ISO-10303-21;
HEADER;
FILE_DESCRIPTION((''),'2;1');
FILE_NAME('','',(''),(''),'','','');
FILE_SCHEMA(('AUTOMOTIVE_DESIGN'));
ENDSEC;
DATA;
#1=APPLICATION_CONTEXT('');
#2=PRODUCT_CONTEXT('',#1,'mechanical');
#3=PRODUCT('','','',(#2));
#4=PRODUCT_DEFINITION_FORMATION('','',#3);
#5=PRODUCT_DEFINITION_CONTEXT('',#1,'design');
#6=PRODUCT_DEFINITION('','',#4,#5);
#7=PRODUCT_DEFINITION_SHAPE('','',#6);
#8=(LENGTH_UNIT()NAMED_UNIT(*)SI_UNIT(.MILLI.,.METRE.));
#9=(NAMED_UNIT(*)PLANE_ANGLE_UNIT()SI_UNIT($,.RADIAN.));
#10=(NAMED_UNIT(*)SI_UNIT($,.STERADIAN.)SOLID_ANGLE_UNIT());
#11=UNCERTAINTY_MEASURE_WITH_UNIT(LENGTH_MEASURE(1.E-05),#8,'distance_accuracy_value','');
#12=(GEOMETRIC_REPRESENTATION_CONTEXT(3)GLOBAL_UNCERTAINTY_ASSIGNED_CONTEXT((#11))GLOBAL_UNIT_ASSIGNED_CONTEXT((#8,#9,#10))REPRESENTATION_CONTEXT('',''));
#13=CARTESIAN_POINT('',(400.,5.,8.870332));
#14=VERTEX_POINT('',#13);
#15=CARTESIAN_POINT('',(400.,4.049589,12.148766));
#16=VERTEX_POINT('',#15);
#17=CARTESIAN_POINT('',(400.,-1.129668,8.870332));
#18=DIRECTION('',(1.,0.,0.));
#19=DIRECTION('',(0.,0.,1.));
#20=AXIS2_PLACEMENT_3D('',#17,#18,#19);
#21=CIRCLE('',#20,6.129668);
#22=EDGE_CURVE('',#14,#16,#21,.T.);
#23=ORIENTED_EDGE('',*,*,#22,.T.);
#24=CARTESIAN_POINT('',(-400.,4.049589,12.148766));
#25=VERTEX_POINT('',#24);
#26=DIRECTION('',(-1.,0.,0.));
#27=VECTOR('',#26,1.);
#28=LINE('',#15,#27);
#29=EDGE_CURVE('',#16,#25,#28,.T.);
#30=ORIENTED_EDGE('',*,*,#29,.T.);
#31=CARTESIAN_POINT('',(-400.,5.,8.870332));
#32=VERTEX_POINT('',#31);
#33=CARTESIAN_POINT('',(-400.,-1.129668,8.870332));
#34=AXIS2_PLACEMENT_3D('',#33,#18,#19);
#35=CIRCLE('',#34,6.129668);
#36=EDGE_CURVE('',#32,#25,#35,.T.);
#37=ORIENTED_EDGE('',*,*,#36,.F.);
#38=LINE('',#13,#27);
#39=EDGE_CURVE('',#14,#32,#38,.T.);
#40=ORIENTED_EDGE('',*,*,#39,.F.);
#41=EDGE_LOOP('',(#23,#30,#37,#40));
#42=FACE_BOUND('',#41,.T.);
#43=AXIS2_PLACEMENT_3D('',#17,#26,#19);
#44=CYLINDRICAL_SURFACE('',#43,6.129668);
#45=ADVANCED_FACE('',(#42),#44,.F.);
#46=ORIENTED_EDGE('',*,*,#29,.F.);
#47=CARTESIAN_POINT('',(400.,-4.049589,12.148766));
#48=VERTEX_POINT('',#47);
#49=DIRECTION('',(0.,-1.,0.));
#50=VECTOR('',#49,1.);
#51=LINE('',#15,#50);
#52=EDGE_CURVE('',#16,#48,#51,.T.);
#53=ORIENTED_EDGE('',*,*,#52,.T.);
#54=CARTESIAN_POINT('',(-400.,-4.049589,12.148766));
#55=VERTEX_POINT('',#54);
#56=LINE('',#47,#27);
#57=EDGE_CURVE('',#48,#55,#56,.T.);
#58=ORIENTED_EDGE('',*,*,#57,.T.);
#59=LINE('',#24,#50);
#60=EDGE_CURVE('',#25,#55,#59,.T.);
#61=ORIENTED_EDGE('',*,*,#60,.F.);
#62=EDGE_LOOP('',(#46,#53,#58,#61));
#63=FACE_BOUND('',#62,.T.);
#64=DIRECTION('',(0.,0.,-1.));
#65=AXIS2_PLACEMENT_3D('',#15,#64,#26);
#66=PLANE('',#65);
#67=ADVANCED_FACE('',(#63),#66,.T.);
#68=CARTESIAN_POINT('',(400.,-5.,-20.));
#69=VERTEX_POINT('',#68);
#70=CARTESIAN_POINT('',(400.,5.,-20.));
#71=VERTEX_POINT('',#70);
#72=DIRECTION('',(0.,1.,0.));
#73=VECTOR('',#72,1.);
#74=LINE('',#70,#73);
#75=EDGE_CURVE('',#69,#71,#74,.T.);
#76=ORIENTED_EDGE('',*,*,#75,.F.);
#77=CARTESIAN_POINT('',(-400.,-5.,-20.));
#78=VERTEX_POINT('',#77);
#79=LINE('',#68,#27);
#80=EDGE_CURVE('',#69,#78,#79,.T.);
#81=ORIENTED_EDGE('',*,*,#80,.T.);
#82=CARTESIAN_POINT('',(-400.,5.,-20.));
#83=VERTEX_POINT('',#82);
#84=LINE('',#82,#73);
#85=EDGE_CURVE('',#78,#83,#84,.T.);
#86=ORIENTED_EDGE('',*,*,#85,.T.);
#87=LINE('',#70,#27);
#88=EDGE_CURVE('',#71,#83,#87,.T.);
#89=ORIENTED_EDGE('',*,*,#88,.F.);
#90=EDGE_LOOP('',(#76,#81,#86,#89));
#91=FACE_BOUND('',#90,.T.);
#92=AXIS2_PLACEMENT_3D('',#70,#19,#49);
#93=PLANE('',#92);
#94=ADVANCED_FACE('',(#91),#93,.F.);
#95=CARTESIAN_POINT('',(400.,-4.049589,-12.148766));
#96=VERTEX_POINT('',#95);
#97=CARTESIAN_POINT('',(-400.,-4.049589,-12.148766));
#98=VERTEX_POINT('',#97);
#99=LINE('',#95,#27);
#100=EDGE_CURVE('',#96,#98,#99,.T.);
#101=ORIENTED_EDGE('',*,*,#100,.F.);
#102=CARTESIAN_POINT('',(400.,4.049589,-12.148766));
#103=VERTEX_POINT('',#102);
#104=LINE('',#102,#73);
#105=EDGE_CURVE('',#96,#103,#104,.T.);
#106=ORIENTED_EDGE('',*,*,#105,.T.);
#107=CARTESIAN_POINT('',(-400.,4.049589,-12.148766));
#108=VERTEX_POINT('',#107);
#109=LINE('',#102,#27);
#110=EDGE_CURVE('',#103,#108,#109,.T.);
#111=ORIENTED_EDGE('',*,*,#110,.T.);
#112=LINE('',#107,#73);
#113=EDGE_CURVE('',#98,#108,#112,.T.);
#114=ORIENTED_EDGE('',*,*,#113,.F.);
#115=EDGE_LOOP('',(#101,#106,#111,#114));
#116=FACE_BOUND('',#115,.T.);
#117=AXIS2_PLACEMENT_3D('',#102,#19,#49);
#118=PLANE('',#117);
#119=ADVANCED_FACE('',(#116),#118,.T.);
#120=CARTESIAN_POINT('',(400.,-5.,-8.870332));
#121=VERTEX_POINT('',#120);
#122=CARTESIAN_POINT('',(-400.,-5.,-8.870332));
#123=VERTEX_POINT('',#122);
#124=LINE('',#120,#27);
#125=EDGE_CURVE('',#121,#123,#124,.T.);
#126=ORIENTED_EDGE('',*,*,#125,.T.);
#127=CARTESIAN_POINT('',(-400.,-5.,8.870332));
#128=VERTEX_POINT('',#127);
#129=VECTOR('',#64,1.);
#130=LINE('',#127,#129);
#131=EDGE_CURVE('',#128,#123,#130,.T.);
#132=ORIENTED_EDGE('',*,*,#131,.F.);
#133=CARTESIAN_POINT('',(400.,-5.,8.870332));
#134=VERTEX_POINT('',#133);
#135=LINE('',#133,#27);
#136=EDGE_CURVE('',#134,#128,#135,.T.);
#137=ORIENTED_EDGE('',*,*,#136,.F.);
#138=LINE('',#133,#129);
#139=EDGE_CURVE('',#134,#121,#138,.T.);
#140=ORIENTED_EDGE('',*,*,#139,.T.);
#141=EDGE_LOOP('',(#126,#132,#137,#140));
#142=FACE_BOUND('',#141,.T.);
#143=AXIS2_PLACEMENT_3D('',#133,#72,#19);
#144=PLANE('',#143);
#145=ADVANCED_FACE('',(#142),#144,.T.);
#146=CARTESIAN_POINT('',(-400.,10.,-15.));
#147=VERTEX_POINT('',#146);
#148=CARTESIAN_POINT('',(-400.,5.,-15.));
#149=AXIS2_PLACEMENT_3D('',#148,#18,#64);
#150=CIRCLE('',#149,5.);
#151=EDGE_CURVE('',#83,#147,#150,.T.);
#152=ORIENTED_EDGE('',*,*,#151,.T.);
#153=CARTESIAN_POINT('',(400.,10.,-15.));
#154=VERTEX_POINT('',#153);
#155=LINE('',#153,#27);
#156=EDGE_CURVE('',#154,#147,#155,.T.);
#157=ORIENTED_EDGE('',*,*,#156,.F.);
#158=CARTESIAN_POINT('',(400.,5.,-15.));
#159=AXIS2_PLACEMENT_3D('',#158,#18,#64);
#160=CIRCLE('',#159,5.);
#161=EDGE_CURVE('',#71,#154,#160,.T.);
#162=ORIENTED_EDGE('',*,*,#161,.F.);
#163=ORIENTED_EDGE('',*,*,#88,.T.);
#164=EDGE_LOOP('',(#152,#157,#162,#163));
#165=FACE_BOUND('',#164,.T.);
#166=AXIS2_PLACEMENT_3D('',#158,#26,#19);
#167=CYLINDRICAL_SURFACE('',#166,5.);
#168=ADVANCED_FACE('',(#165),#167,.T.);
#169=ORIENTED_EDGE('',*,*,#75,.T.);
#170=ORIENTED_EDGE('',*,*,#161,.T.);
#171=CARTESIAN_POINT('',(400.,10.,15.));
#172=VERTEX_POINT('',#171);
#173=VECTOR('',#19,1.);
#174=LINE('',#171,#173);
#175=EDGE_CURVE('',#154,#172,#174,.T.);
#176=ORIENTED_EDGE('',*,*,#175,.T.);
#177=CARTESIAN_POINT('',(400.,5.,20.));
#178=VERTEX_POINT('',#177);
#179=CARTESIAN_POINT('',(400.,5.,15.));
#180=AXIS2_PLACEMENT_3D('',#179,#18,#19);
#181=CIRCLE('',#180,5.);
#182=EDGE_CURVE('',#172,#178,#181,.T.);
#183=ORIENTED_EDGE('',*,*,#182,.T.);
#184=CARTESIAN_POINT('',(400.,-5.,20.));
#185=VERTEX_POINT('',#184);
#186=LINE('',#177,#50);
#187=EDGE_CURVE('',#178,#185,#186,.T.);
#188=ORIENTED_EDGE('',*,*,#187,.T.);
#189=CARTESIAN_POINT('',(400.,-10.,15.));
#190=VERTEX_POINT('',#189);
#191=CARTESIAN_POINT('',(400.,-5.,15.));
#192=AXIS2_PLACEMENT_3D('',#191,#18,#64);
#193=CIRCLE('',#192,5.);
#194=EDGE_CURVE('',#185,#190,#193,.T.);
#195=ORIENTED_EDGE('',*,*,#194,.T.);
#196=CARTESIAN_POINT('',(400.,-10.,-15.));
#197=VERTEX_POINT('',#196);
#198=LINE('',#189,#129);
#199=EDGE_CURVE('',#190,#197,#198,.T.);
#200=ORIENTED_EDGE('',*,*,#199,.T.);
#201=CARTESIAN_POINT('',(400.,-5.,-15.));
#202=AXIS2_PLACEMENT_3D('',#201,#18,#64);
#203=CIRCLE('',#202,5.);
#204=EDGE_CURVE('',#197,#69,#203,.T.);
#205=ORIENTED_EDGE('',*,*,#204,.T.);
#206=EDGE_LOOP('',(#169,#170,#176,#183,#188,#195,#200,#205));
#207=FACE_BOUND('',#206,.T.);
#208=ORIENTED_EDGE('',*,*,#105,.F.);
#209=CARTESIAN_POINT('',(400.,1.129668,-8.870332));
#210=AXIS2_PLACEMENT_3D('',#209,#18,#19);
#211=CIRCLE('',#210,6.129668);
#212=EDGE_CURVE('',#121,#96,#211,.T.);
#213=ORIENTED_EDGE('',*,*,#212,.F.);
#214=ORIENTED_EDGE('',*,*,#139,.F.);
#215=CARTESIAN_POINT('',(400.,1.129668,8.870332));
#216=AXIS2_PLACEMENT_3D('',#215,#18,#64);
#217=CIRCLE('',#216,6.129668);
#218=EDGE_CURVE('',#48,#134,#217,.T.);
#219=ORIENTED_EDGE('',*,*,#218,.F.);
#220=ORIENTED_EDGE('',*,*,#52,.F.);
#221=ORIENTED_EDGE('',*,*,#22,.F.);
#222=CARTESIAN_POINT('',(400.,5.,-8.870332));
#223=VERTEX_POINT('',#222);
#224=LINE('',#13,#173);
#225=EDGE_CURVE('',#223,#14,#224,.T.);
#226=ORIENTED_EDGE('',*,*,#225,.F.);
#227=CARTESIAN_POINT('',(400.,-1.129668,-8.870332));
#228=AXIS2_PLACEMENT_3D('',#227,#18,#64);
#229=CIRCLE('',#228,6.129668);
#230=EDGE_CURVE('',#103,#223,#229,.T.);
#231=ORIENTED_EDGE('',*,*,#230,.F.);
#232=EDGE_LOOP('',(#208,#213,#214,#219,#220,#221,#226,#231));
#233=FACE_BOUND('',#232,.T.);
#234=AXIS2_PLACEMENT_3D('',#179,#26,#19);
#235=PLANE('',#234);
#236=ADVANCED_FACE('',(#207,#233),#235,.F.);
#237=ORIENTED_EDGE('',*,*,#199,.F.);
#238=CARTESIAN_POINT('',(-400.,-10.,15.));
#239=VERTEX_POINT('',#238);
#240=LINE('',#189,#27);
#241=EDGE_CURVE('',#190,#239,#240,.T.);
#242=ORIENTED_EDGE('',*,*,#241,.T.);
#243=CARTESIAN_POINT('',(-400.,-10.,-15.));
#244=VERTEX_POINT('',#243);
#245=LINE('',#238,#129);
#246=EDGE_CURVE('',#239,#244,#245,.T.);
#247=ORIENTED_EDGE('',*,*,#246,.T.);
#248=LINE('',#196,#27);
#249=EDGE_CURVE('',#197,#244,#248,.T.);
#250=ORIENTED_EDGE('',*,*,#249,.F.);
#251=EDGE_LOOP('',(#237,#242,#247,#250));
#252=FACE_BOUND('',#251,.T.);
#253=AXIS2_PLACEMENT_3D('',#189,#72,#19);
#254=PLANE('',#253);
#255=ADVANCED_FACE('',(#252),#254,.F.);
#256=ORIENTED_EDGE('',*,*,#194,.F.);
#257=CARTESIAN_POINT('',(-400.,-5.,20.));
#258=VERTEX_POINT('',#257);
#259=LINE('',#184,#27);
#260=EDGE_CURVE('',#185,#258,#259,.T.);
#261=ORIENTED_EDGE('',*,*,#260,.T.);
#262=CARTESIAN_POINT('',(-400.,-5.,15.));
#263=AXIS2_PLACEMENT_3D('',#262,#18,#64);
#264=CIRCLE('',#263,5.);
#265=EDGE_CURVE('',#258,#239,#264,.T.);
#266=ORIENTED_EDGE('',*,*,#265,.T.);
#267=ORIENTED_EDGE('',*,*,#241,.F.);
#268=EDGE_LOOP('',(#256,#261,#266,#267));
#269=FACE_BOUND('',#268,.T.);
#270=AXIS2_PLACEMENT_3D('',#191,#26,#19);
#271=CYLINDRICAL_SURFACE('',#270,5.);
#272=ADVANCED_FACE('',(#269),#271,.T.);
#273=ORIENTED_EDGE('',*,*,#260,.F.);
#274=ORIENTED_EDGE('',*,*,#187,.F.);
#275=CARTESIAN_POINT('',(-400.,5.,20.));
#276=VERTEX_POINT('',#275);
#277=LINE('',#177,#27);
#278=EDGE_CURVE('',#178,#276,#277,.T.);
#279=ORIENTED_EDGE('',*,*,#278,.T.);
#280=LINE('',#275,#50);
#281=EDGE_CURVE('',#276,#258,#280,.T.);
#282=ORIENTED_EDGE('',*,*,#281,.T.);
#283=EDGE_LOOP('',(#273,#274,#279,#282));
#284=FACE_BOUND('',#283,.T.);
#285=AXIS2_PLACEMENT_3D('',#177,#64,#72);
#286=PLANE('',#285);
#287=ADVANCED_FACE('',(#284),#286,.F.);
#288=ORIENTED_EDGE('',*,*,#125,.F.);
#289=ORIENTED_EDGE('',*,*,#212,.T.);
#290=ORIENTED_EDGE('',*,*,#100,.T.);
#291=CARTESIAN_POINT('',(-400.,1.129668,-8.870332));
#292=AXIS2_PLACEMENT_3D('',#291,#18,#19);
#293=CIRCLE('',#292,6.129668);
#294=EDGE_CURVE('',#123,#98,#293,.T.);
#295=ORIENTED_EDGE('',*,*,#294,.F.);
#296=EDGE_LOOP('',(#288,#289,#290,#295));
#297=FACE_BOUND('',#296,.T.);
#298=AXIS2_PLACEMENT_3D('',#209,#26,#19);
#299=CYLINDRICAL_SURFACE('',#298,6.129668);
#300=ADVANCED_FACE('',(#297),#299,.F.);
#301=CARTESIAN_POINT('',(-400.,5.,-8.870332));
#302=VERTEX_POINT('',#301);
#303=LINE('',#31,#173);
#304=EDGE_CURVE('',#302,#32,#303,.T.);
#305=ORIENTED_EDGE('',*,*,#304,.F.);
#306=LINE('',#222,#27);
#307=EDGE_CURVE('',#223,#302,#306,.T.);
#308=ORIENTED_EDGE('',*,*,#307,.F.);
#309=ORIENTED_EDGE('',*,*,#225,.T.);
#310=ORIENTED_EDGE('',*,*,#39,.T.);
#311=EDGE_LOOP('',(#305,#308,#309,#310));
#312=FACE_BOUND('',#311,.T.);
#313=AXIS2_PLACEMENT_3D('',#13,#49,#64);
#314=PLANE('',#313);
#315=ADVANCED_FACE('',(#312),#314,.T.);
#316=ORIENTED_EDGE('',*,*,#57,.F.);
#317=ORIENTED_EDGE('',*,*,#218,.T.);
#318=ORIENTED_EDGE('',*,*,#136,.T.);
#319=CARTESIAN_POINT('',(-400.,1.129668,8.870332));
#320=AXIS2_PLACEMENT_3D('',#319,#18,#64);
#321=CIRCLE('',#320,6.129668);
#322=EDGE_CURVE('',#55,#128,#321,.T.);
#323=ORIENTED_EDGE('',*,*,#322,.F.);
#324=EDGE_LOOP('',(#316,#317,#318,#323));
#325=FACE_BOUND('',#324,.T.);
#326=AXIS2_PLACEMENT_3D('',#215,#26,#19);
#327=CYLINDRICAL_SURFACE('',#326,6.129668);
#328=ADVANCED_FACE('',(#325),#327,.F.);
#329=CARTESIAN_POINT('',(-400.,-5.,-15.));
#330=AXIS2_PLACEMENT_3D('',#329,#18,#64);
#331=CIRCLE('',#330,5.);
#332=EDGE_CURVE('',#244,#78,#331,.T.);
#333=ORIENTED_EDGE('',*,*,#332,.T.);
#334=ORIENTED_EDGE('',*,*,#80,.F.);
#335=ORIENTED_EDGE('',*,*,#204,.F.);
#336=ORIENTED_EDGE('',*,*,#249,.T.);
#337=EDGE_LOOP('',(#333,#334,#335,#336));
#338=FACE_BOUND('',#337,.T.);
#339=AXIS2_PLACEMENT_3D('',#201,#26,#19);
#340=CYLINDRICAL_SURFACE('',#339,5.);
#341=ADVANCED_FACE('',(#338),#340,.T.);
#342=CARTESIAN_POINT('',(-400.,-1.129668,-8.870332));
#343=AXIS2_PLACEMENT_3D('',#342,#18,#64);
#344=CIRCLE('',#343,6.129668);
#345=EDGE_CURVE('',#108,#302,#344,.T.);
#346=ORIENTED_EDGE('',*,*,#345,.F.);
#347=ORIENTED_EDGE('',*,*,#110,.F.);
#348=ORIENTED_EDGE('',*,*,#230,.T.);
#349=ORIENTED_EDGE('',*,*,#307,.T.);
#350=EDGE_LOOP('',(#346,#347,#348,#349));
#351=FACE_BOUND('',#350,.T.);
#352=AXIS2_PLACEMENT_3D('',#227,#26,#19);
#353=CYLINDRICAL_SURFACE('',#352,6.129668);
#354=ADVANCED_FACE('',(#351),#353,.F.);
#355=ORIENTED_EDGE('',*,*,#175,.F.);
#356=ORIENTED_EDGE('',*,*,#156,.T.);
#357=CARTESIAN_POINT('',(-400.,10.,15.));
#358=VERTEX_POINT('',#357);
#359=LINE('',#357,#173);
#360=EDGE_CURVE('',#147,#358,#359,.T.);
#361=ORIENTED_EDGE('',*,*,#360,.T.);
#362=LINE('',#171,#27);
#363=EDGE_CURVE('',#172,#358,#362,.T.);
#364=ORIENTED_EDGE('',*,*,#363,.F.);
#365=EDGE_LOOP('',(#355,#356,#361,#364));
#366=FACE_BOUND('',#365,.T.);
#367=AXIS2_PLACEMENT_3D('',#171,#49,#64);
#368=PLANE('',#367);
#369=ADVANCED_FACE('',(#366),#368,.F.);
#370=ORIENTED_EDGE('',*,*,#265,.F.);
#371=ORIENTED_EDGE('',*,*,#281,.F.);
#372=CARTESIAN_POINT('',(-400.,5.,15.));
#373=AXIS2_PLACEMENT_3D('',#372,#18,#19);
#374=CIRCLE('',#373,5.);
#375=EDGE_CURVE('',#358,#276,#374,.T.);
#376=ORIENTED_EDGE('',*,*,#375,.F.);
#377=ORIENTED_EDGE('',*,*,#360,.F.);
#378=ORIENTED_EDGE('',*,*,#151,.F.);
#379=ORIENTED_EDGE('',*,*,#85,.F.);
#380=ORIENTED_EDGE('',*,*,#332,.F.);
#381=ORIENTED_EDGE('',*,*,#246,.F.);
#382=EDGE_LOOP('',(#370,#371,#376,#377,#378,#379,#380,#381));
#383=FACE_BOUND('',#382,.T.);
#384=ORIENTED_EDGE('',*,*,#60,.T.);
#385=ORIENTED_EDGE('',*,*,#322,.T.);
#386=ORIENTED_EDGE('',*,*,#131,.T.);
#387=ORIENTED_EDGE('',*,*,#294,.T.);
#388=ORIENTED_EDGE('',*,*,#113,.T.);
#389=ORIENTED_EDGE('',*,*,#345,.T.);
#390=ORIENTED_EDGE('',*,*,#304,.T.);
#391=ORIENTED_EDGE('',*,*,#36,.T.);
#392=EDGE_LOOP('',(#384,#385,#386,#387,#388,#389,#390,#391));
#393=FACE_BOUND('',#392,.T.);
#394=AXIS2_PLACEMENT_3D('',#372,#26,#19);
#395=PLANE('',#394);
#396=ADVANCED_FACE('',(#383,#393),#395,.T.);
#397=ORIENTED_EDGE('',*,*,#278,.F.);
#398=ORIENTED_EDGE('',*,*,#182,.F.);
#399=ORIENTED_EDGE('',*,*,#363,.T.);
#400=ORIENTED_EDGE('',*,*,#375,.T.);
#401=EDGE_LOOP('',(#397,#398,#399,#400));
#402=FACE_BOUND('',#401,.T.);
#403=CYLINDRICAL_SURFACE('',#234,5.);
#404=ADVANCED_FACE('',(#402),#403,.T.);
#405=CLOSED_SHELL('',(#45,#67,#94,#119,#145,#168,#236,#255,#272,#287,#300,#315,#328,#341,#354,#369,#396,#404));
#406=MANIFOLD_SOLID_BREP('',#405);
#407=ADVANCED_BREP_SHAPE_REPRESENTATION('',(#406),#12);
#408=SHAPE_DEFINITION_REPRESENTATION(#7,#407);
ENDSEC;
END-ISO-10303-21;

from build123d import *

# Parameters (mm, degrees)
BOSS_EXTRUDE1_DEPTH = 400


with BuildPart() as part:
    # Sketch1 → Boss-Extrude1 (new, symmetric)
    with BuildSketch(Plane(origin=(0, 0, 0), x_dir=(0, 0, -1), z_dir=(1, 0, 0))):
        with BuildLine():
            Line((-15, 10), (15, 10))
            ThreePointArc((15, 10), (18.535533906, 8.535533906), (20, 5))
            Line((20, 5), (20, -5))
            ThreePointArc((20, -5), (18.535533906, -8.535533906), (15, -10))
            Line((15, -10), (-15, -10))
            ThreePointArc((-15, -10), (-18.535533906, -8.535533906), (-20, -5))
            Line((-20, -5), (-20, 5))
            ThreePointArc((-20, 5), (-18.535533906, 8.535533906), (-15, 10))
        make_face()
        with BuildLine():
            Line((12.148766077, 4.049588692), (12.148766077, -4.049588692))
            ThreePointArc((12.148766077, -4.049588692), (10.577040219, -4.75760445), (8.870332019, -5))
            Line((8.870332019, -5), (-8.870332019, -5))
            ThreePointArc((-8.870332019, -5), (-10.577040219, -4.75760445), (-12.148766077, -4.049588692))
            Line((-12.148766077, -4.049588692), (-12.148766077, 4.049588692))
            ThreePointArc((-12.148766077, 4.049588692), (-10.577040219, 4.75760445), (-8.870332019, 5))
            Line((-8.870332019, 5), (8.870332019, 5))
            ThreePointArc((8.870332019, 5), (10.577040219, 4.75760445), (12.148766077, 4.049588692))
        make_face(mode=Mode.SUBTRACT)
    extrude(amount=BOSS_EXTRUDE1_DEPTH, both=True)


solid = part.part
